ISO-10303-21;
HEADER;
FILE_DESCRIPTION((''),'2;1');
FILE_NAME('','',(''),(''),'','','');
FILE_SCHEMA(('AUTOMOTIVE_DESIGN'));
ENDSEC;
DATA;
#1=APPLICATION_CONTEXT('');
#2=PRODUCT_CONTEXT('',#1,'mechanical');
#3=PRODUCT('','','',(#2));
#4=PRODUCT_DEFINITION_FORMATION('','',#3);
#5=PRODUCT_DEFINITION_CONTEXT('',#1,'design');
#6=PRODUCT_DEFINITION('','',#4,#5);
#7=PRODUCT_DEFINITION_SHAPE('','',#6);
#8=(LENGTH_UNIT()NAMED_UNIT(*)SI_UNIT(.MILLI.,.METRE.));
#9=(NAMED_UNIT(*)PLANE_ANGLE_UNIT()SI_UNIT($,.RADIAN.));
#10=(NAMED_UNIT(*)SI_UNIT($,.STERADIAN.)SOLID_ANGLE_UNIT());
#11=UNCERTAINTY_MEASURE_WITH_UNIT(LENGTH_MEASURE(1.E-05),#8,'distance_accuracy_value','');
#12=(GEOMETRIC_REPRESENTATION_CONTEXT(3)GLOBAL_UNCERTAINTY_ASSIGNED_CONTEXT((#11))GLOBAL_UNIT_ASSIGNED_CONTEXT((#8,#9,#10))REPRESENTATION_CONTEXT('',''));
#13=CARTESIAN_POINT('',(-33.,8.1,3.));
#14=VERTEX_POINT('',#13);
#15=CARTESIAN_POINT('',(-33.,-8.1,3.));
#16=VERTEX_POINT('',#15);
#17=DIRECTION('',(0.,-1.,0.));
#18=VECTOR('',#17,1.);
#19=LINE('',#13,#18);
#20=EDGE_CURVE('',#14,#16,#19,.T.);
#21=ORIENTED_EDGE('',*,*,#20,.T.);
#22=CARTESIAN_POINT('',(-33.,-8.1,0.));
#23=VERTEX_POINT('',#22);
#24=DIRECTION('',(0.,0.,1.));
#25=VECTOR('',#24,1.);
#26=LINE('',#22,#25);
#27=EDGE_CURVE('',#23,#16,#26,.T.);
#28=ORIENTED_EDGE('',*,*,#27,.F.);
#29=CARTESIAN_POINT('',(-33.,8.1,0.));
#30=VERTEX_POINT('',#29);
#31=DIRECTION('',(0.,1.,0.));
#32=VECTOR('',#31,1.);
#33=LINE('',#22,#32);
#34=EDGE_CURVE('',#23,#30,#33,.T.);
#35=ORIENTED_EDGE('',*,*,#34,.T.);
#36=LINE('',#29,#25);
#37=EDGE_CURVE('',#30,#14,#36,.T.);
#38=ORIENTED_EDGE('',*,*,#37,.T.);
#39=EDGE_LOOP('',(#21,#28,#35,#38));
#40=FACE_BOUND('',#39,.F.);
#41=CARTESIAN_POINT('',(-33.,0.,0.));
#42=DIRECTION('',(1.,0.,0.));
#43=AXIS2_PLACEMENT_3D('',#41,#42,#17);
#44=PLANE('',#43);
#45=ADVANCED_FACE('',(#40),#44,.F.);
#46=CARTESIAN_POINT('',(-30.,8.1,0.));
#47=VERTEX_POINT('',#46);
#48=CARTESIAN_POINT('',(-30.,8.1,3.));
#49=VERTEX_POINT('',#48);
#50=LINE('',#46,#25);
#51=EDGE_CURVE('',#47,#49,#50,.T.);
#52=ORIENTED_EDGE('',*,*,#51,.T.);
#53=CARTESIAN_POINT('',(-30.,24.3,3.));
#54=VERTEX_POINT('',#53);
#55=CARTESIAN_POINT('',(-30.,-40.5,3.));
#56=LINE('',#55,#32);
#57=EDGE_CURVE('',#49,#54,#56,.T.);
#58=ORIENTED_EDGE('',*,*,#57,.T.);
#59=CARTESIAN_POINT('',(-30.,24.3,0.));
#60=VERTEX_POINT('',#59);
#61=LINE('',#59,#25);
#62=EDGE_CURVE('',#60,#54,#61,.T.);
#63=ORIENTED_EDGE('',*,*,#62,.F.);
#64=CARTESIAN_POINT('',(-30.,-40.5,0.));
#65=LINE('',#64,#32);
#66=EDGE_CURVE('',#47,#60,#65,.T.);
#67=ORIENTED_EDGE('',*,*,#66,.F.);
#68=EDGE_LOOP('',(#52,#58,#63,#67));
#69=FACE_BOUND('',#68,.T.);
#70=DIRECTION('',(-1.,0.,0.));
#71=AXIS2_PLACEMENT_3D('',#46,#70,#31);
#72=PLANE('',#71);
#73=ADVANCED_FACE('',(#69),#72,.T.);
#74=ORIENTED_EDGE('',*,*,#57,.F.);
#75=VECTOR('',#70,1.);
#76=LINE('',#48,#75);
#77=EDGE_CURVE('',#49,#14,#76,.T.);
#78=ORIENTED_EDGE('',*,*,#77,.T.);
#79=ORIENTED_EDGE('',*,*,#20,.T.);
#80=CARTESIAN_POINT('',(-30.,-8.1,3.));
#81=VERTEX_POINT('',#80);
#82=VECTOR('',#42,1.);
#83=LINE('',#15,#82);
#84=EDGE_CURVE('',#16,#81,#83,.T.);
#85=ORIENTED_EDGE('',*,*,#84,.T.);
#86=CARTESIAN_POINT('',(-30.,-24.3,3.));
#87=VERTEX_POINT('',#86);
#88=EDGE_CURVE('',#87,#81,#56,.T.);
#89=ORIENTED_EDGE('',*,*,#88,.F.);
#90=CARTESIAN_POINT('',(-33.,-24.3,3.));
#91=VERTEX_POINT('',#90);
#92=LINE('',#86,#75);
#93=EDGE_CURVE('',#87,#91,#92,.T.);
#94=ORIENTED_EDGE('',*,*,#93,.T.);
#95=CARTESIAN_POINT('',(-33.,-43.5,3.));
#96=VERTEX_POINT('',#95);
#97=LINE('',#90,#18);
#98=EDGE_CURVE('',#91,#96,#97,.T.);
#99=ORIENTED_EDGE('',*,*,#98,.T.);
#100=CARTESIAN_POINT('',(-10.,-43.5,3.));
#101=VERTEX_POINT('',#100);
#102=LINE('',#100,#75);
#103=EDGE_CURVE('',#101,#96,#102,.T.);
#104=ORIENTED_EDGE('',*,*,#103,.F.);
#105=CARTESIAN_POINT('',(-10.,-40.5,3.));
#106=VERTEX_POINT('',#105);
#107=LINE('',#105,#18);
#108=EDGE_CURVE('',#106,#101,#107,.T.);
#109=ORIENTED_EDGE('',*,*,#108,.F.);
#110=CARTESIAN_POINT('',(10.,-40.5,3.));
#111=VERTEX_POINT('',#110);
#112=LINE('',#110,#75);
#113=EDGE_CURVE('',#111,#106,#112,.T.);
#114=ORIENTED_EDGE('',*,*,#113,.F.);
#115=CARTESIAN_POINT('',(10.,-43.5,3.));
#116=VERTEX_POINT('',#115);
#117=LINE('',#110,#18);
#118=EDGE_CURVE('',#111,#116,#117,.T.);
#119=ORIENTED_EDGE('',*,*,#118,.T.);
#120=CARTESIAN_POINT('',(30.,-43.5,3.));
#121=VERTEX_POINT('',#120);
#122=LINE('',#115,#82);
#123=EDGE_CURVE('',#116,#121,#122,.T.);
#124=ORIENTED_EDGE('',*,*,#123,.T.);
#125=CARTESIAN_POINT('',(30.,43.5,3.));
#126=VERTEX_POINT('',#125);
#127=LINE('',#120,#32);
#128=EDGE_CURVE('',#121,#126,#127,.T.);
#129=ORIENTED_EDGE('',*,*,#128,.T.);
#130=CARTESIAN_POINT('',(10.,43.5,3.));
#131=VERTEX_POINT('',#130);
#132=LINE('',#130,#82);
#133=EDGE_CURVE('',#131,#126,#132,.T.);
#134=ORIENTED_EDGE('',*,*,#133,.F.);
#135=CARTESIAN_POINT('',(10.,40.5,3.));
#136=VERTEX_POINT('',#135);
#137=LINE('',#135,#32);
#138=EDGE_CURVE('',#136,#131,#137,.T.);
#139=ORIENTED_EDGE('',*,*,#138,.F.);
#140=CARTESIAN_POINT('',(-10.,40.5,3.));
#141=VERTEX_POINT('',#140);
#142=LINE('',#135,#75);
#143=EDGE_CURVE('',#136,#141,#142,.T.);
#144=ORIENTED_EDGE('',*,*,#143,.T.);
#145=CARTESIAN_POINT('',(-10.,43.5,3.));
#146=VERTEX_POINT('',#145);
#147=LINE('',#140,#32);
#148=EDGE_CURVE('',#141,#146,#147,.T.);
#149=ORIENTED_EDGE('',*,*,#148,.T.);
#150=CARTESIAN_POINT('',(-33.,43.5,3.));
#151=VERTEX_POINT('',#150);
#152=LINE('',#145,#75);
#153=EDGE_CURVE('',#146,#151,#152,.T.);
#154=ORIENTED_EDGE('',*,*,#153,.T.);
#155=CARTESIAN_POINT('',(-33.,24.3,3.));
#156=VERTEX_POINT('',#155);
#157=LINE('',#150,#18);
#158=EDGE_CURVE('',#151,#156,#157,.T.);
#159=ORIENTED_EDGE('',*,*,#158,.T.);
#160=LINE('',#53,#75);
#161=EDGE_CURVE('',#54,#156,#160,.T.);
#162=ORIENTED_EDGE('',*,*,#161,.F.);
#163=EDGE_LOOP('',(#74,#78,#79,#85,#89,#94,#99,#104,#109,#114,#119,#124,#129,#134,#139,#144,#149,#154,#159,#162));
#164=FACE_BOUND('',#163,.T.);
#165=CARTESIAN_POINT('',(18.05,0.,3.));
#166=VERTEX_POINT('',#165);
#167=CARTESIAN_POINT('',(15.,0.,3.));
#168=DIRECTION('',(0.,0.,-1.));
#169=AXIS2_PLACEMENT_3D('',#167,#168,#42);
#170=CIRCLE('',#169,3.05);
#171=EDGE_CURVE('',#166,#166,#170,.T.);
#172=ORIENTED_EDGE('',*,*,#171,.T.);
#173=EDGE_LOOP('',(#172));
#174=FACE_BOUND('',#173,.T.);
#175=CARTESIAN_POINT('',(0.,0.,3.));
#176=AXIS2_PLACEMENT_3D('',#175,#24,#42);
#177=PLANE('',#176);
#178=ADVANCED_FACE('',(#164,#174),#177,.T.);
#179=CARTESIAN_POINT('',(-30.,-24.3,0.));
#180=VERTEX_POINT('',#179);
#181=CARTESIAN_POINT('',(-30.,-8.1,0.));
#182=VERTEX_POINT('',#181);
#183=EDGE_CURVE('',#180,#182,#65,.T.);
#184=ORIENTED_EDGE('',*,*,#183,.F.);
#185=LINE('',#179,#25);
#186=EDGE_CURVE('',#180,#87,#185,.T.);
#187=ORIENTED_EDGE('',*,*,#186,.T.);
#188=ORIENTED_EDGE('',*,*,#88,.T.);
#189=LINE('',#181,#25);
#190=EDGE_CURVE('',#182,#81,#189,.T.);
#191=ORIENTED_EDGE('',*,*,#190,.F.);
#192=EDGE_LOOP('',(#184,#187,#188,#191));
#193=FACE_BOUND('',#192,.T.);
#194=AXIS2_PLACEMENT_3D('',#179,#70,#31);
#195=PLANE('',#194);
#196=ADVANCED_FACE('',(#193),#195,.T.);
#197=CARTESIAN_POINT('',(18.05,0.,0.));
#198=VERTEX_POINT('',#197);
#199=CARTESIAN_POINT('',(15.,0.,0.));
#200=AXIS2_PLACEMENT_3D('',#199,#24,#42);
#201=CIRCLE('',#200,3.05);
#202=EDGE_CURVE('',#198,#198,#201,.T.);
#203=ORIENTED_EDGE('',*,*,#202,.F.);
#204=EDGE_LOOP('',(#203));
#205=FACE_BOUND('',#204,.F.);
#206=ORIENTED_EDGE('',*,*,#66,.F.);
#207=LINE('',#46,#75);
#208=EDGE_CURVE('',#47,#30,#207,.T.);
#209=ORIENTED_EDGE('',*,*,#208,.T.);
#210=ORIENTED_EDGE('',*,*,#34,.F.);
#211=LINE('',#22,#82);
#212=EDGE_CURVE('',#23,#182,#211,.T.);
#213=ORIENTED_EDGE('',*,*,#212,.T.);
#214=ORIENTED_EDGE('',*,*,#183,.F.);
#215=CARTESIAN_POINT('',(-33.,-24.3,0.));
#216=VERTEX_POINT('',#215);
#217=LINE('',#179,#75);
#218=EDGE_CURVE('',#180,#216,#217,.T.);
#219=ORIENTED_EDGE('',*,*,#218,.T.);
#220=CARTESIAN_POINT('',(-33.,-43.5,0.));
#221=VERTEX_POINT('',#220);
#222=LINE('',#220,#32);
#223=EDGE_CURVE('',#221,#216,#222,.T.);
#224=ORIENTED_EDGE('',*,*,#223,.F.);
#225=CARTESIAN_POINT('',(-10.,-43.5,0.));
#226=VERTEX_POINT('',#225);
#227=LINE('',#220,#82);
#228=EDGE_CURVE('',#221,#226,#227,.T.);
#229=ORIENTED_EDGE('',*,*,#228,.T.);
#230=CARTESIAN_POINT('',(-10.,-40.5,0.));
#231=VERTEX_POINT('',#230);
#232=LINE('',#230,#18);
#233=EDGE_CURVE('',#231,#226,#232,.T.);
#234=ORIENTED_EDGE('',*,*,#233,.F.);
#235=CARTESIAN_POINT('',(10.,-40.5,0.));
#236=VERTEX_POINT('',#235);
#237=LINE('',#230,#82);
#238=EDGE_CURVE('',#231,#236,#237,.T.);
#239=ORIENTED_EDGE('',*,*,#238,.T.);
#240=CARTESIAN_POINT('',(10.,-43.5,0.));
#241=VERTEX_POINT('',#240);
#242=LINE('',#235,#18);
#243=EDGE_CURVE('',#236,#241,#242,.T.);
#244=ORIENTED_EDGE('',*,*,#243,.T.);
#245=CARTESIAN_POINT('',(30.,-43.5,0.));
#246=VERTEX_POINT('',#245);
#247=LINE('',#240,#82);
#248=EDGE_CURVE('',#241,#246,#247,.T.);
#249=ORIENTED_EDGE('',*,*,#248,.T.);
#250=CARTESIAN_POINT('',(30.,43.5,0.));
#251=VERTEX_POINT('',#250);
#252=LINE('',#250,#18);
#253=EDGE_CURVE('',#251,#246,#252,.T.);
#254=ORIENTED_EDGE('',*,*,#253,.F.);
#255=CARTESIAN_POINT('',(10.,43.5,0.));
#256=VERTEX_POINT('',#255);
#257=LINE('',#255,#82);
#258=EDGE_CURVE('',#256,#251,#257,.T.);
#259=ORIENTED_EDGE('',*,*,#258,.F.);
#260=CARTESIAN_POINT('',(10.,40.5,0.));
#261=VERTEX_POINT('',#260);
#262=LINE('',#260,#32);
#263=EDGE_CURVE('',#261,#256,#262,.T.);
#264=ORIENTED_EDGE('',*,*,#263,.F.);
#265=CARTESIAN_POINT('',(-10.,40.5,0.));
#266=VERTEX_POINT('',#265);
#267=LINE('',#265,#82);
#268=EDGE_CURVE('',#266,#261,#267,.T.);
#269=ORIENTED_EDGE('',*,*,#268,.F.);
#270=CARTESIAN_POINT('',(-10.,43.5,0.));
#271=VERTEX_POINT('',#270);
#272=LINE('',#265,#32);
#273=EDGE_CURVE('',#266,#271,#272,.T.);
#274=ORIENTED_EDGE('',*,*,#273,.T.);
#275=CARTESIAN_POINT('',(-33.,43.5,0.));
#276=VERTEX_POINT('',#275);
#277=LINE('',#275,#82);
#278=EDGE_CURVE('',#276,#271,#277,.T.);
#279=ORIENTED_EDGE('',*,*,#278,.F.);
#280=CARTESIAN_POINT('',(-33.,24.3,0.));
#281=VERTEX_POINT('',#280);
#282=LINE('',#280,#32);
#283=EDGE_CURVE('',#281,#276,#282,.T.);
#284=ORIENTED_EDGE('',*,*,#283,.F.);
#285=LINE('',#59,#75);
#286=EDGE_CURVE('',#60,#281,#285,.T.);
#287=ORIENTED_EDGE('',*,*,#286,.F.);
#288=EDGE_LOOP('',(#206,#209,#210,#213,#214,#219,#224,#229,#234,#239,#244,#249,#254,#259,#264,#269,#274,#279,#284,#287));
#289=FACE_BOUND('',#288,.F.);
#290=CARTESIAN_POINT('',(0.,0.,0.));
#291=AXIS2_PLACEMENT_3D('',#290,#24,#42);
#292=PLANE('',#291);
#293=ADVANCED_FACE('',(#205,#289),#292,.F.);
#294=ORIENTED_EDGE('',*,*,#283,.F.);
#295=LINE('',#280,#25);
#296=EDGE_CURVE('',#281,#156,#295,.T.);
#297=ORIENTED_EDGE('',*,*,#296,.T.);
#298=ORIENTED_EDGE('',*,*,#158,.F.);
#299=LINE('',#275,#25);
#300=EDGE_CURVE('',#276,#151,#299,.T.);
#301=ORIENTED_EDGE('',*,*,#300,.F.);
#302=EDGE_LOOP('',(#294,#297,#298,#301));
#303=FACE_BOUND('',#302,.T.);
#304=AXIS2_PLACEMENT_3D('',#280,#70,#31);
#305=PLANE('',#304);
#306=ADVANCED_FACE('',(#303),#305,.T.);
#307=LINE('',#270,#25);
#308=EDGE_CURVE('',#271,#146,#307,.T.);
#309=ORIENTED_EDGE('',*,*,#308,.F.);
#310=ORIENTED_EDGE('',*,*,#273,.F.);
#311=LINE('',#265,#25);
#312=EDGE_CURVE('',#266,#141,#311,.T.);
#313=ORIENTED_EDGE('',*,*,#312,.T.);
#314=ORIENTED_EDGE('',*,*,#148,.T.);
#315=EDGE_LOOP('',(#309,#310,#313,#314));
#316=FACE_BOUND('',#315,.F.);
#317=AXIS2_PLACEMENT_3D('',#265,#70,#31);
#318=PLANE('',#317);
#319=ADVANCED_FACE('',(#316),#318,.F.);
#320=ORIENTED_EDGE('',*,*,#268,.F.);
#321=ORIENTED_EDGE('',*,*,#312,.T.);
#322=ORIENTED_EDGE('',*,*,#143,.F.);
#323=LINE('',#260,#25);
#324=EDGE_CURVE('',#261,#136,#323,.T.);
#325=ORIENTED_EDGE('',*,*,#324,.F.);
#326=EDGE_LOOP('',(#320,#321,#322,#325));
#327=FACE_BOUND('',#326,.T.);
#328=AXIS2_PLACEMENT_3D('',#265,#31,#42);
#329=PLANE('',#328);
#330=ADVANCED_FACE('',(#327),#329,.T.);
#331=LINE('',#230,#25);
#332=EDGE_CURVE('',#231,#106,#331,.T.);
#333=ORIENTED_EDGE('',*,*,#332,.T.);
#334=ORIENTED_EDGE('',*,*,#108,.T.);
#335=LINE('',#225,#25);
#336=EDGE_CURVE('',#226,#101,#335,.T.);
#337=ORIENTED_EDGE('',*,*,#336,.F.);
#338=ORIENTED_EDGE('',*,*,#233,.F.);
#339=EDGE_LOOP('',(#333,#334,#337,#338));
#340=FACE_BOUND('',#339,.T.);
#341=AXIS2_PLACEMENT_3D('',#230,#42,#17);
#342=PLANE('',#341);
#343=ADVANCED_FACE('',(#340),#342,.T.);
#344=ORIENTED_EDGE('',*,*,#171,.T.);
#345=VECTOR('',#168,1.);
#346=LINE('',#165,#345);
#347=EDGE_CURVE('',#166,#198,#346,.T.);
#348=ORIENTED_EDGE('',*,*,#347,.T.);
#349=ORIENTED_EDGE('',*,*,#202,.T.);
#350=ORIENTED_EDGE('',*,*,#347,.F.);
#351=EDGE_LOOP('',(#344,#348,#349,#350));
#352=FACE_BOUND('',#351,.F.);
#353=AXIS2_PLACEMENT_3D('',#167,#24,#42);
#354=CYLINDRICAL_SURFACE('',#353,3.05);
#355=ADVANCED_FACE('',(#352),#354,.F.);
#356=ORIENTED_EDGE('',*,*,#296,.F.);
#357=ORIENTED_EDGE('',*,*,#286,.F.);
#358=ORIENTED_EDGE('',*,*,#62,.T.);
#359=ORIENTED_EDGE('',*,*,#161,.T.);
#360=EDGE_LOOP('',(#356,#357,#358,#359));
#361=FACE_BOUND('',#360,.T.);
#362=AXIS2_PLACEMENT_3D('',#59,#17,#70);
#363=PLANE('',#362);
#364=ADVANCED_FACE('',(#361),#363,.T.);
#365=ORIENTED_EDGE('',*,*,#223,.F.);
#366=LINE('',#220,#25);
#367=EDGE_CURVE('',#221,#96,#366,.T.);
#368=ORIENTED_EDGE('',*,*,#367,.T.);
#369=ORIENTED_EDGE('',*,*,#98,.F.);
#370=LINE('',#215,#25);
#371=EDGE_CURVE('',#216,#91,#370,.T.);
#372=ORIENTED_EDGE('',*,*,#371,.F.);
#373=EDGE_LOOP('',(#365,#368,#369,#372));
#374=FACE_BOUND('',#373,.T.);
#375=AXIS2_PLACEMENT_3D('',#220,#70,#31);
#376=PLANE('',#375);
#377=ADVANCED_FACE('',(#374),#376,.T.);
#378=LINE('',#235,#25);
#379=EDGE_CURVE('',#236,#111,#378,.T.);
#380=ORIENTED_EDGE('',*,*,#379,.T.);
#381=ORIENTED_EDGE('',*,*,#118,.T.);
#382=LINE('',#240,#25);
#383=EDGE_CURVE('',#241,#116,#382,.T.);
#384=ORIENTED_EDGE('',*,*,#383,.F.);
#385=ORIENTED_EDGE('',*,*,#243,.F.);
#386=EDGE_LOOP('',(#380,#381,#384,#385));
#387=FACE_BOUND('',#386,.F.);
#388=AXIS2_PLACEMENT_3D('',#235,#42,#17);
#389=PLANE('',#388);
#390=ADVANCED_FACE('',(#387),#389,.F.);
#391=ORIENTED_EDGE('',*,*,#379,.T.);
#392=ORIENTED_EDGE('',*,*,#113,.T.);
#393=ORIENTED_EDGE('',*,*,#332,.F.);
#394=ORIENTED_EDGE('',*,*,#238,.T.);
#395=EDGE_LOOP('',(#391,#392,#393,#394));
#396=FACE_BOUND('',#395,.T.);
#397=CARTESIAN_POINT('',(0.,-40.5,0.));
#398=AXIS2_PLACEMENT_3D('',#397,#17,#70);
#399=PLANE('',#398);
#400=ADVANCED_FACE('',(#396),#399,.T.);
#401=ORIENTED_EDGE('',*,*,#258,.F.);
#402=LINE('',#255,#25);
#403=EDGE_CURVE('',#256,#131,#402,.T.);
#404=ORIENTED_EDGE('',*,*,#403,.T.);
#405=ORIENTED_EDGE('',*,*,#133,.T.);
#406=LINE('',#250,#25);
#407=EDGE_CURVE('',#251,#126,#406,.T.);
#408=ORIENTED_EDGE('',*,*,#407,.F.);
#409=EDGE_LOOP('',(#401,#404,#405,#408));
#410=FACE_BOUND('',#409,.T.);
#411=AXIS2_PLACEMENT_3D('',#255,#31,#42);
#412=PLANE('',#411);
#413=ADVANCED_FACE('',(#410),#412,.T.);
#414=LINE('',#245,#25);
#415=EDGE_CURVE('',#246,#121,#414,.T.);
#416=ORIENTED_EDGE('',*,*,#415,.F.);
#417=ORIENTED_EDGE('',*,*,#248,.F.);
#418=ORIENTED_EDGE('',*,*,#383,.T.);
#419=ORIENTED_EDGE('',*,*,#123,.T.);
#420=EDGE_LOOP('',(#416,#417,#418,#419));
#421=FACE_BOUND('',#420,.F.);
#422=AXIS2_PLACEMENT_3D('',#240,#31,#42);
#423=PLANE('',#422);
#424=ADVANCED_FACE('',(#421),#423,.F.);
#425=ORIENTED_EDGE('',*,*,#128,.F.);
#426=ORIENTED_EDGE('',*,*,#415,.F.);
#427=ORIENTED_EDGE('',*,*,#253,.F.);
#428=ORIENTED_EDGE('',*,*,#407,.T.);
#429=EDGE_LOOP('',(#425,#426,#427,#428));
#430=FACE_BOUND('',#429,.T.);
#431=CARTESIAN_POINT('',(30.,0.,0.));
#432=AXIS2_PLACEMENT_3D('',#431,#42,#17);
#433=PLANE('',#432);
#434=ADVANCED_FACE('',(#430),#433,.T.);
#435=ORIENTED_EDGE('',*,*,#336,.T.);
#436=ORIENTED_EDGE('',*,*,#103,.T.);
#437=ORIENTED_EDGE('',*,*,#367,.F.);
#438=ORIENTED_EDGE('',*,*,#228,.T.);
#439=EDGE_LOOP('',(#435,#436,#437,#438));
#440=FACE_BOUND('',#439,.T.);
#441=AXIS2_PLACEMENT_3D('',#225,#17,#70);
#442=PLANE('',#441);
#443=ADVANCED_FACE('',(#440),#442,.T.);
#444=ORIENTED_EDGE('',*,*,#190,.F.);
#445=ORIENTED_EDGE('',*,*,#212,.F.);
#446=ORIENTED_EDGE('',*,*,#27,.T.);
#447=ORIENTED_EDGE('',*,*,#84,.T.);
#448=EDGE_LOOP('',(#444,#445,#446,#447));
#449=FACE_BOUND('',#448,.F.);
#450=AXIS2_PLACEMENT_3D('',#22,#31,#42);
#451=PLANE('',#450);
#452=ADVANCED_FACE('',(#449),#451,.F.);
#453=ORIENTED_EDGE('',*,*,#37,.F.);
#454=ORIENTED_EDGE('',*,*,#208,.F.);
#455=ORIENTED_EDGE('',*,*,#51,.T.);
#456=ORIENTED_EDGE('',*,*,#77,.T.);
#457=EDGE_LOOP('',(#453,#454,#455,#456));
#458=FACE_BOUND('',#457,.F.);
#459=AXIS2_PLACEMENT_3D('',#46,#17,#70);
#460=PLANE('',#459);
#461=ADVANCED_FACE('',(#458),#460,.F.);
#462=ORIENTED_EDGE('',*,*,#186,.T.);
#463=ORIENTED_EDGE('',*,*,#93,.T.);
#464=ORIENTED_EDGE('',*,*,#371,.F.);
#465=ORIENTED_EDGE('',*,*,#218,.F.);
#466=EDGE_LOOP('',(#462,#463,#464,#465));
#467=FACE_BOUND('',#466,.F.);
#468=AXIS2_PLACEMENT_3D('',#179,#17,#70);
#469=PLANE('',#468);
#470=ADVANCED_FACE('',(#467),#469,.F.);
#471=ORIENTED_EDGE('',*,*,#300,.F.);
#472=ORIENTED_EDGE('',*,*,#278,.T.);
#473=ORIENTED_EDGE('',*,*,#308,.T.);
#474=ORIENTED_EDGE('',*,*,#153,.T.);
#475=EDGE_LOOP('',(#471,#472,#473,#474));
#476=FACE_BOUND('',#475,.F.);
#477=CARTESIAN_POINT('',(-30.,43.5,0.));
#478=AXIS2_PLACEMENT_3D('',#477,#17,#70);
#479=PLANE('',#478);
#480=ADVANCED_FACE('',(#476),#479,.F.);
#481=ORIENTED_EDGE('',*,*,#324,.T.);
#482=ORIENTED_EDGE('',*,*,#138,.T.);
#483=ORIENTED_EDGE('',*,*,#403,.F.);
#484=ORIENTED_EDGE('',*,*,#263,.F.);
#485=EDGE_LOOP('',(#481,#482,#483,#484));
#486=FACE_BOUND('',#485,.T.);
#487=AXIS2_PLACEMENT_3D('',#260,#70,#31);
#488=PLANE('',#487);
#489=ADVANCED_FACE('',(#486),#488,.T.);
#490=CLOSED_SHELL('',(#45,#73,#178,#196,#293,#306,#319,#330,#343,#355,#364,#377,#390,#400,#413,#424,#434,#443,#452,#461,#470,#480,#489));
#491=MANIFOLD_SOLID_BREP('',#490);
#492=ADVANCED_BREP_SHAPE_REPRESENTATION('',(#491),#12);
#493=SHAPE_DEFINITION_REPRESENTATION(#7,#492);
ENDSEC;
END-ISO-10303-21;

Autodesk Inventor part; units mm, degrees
ref_plane "YZ Plane" through (0, 0, 0) normal (1, 0, 0) x (0, 1, 0)
ref_plane "XZ Plane" through (0, 0, 0) normal (0, 1, 0) x (-1, 0, 0)
ref_plane "XY Plane" through (0, 0, 0) normal (0, 0, 1) x (1, 0, 0)
sketch "Sketch1" plane through (0, 0, 0) normal (0, 0, 1) x (1, 0, 0)
  line L0 (-30, -40.5) -> (-30, 40.5)
  line L1 (-30, 40.5) -> (30, 40.5)
  line L2 (30, 40.5) -> (30, -40.5)
  line L3 (30, -40.5) -> (-30, -40.5)
  line L4 (-30, -40.5) -> (30, 40.5) construction
  line L5 (-30, 40.5) -> (30, -40.5) construction
  line L6 (-30, 40.5) -> (-10, 40.5)
  line L7 (-10, 40.5) -> (-10, 43.5)
  line L8 (-10, 43.5) -> (-30, 43.5)
  line L9 (-30, 43.5) -> (-30, 40.5) construction
  line L10 (30, 40.5) -> (10, 40.5)
  line L11 (10, 40.5) -> (10, 43.5)
  line L12 (10, 43.5) -> (30, 43.5)
  line L13 (30, 43.5) -> (30, 40.5)
  line L14 (-45.6, 0) -> (42.6, 0) projected
  line L15 (0, -60.9) -> (0, 60.9) projected
  line L16 (-10, -40.5) -> (-10, -43.5)
  line L17 (-10, -43.5) -> (-30, -43.5)
  line L18 (-30, -43.5) -> (-30, -40.5) construction
  line L19 (10, -40.5) -> (10, -43.5)
  line L20 (10, -43.5) -> (30, -43.5)
  line L21 (30, -43.5) -> (30, -40.5)
  line L22 (-30, -40.5) -> (-30, -24.3)
  line L23 (-30, -24.3) -> (-33, -24.3)
  line L24 (-33, -24.3) -> (-33, -40.5)
  line L25 (-33, -40.5) -> (-30, -40.5) construction
  line L26 (-30, -8.1) -> (-30, 8.1)
  line L27 (-30, 8.1) -> (-33, 8.1)
  line L28 (-33, 8.1) -> (-33, -8.1)
  line L29 (-33, -8.1) -> (-30, -8.1)
  line L30 (-30, 40.5) -> (-30, 24.3)
  line L31 (-30, 24.3) -> (-33, 24.3)
  line L32 (-33, 24.3) -> (-33, 40.5)
  line L33 (-33, 40.5) -> (-30, 40.5) construction
  line L34 (-30, 43.5) -> (-33, 43.5)
  line L35 (-33, 43.5) -> (-33, 40.5)
  line L36 (-30, -43.5) -> (-33, -43.5)
  line L37 (-33, -43.5) -> (-33, -40.5)
  point P0 (0, 0)
  point P1 (20, 43.5)
  point P2 (-20, 43.5)
  point P3 (20, -43.5)
  point P4 (-20, -43.5)
  point P5 (-33, 32.4)
  point P6 (-33, 0)
  point P7 (-33, -32.4)
  point P8 (-30, 0)
  dimension "d0" = 81
  dimension "d1" = 60
  dimension "d4" = 20
  dimension "d5" = 20
  dimension "d6" = 3
  dimension "d7" = 3
  dimension "d8" = 16.2
extrude "Extrusion1" add sketch "Sketch1" along normal blind 3
sketch "Sketch2" plane through (0, 0, 3) normal (0, 0, 1) x (1, 0, 0)
  line L0 (-45.6, 0) -> (42.6, 0) projected
  line L1 (0, -60.9) -> (0, 60.9) projected
  circle A0 centre (15, 0) radius 3.05
  line L2 (30, -43.5) -> (30, 43.5) projected
  dimension "d9" = 6.1
  dimension "d12" = 15
extrude "Extrusion2" cut sketch "Sketch2" against normal through all
equation "\"d4\" = 0.333333 * d1"
equation "\"d5\" = d4"
equation "\"d6\" = d2"
equation "\"d7\" = d2"
equation "\"d8\" = 0.2 * d0"
equation "\"d2\" = 3"
properties part number "top switch"
